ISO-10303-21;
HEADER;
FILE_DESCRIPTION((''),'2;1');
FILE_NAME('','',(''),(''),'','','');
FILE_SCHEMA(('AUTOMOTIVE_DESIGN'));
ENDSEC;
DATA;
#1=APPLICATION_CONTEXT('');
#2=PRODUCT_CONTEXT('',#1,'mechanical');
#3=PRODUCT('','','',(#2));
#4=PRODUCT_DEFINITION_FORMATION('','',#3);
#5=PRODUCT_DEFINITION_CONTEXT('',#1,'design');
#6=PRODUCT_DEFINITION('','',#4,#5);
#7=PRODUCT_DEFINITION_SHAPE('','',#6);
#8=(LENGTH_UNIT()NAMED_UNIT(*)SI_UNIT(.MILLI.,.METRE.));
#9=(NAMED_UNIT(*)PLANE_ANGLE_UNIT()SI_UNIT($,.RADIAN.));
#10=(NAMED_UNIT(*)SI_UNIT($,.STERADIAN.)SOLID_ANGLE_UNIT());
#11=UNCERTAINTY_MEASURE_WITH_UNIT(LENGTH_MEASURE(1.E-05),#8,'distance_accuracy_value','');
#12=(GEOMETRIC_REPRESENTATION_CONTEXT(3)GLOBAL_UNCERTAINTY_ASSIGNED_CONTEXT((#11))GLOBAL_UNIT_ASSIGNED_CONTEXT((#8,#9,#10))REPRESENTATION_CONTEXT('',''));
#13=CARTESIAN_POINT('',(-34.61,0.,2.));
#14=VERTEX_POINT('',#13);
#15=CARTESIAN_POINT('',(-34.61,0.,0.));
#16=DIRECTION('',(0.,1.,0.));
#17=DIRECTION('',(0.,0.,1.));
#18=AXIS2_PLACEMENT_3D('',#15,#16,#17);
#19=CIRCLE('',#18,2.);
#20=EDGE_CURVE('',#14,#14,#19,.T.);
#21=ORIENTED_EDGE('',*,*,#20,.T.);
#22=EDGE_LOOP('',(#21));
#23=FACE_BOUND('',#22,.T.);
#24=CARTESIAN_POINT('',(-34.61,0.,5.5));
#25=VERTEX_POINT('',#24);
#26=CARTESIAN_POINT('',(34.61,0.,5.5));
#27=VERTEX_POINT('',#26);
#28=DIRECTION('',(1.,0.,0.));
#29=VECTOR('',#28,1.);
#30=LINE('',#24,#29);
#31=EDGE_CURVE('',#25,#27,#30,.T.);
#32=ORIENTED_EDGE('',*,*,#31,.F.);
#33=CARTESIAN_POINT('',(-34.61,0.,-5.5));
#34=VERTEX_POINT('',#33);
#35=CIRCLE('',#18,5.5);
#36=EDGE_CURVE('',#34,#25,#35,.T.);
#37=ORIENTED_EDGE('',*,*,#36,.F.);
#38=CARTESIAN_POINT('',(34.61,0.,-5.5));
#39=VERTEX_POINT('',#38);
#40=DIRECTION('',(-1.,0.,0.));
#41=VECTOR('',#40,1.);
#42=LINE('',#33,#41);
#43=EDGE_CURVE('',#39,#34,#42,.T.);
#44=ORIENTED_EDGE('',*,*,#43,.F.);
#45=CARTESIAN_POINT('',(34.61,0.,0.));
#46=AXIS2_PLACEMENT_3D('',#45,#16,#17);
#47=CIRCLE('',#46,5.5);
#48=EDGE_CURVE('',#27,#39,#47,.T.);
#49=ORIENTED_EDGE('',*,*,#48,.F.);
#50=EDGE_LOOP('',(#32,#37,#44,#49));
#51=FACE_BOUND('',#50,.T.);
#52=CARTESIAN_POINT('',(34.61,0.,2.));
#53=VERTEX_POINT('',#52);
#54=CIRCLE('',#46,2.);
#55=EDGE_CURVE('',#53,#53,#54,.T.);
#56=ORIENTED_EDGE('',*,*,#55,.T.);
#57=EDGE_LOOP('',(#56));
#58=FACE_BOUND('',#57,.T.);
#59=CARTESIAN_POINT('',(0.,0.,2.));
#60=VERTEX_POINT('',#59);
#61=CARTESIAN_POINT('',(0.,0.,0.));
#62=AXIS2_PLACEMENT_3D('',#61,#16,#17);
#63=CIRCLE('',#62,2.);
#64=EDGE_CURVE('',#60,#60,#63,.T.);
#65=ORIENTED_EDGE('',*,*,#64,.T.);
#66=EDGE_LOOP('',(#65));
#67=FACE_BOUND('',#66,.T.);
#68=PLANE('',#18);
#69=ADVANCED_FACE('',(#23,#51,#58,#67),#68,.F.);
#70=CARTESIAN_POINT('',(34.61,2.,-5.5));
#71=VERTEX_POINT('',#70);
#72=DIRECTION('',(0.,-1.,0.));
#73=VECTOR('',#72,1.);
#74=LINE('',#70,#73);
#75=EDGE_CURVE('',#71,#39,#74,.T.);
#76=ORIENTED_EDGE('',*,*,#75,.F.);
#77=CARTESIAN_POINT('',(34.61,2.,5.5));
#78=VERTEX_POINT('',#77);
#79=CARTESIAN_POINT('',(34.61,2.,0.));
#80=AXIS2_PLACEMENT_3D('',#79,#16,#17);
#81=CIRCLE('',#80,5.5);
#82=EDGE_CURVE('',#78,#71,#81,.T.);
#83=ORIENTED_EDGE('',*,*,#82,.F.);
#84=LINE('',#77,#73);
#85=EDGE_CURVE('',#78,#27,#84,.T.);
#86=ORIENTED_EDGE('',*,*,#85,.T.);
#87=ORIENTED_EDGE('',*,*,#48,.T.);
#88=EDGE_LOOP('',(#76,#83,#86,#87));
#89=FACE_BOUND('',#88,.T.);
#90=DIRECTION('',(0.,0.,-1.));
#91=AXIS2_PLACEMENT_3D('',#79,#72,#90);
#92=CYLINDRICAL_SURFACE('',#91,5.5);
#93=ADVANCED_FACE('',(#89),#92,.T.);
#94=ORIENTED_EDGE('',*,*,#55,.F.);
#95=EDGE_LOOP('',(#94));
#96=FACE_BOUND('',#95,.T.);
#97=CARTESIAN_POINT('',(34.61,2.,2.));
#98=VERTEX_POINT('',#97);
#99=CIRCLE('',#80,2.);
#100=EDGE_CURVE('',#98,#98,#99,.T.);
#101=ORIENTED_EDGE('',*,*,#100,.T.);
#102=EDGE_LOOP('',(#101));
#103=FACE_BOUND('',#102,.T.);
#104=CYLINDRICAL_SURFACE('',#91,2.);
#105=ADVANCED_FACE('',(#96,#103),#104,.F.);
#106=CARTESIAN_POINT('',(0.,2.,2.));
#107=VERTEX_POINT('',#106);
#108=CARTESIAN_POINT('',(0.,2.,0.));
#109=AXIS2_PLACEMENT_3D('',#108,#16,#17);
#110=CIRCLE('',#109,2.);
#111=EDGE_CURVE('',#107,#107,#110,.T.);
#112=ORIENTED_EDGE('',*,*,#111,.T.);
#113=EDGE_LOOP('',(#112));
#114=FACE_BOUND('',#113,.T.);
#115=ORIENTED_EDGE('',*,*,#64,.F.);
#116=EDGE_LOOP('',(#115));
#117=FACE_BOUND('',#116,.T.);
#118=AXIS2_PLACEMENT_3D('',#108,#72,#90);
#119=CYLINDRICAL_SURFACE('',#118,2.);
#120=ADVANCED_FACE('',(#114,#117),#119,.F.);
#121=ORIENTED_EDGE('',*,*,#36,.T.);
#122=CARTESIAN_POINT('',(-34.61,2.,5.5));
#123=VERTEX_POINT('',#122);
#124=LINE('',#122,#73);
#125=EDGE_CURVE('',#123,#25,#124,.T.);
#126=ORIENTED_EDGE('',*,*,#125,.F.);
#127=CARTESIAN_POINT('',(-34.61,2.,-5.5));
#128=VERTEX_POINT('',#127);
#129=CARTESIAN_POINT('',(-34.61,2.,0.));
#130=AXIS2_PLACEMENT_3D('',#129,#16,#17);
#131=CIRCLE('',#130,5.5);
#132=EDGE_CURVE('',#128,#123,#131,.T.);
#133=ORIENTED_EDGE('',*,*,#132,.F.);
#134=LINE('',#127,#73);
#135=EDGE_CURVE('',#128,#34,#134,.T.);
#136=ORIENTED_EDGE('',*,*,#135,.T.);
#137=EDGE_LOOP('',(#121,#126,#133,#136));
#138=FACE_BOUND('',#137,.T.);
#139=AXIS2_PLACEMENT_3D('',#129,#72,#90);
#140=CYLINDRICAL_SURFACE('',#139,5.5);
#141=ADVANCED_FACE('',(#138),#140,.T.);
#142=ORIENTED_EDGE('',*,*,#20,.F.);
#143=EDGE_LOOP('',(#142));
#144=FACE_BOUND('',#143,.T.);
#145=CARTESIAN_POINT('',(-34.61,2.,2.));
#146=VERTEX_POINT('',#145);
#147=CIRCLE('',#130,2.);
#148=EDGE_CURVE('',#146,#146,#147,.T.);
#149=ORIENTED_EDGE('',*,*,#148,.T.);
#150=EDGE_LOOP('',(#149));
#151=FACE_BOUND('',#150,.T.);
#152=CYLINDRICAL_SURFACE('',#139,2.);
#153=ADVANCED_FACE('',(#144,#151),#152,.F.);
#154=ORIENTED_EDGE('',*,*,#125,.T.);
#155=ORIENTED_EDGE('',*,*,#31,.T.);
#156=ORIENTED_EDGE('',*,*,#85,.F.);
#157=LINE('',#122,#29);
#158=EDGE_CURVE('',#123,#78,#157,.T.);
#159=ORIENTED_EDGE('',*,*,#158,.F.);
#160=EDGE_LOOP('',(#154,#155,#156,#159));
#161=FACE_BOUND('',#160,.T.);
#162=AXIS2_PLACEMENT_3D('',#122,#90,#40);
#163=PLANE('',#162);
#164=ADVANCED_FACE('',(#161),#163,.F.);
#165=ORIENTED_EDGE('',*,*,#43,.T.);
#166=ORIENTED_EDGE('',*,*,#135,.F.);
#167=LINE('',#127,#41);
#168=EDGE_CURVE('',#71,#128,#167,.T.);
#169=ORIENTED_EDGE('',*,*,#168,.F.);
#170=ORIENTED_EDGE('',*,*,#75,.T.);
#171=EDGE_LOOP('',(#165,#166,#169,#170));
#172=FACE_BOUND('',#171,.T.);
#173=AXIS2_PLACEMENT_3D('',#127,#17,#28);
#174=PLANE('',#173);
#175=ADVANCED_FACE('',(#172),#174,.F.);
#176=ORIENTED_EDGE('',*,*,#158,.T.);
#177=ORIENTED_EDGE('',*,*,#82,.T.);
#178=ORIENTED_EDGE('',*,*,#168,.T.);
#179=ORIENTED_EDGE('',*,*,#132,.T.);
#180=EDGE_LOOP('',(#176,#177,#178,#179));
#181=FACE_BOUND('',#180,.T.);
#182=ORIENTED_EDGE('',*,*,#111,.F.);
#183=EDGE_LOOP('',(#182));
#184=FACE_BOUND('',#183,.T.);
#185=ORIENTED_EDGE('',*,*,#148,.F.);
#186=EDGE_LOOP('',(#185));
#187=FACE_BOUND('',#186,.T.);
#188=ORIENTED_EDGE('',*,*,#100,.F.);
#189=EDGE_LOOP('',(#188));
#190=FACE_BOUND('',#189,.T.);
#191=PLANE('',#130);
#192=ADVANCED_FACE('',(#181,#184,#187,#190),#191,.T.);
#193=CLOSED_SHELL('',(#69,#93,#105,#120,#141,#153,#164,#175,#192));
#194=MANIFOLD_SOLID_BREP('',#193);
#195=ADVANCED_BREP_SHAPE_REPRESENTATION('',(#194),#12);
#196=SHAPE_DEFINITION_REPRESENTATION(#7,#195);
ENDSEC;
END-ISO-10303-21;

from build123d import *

# Parameters (mm, degrees)
SKETCH2_R           = 2
BOSS_EXTRUDE1_DEPTH = 2


with BuildPart() as part:
    # Sketch2 → Boss-Extrude1 (new body)
    with BuildSketch(Plane(origin=(0, 0, 0), x_dir=(1, 0, 0), z_dir=(0, 1, 0))):
        with BuildLine():
            Line((-34.61, 5.5), (34.61, 5.5))
            ThreePointArc((34.61, 5.5), (40.11, 0), (34.61, -5.5))
            Line((34.61, -5.5), (-34.61, -5.5))
            ThreePointArc((-34.61, -5.5), (-40.11, 0), (-34.61, 5.5))
        make_face()
        with Locations(Location((-34.61, 0, 0), (0, 0, 270))):
            Circle(SKETCH2_R, mode=Mode.SUBTRACT)
        with Locations(Location((34.61, 0, 0), (0, 0, 270))):
            Circle(SKETCH2_R, mode=Mode.SUBTRACT)
        with Locations(Location((0, 0, 0), (0, 0, 270))):
            Circle(SKETCH2_R, mode=Mode.SUBTRACT)
    extrude(amount=BOSS_EXTRUDE1_DEPTH)


solid = part.part
